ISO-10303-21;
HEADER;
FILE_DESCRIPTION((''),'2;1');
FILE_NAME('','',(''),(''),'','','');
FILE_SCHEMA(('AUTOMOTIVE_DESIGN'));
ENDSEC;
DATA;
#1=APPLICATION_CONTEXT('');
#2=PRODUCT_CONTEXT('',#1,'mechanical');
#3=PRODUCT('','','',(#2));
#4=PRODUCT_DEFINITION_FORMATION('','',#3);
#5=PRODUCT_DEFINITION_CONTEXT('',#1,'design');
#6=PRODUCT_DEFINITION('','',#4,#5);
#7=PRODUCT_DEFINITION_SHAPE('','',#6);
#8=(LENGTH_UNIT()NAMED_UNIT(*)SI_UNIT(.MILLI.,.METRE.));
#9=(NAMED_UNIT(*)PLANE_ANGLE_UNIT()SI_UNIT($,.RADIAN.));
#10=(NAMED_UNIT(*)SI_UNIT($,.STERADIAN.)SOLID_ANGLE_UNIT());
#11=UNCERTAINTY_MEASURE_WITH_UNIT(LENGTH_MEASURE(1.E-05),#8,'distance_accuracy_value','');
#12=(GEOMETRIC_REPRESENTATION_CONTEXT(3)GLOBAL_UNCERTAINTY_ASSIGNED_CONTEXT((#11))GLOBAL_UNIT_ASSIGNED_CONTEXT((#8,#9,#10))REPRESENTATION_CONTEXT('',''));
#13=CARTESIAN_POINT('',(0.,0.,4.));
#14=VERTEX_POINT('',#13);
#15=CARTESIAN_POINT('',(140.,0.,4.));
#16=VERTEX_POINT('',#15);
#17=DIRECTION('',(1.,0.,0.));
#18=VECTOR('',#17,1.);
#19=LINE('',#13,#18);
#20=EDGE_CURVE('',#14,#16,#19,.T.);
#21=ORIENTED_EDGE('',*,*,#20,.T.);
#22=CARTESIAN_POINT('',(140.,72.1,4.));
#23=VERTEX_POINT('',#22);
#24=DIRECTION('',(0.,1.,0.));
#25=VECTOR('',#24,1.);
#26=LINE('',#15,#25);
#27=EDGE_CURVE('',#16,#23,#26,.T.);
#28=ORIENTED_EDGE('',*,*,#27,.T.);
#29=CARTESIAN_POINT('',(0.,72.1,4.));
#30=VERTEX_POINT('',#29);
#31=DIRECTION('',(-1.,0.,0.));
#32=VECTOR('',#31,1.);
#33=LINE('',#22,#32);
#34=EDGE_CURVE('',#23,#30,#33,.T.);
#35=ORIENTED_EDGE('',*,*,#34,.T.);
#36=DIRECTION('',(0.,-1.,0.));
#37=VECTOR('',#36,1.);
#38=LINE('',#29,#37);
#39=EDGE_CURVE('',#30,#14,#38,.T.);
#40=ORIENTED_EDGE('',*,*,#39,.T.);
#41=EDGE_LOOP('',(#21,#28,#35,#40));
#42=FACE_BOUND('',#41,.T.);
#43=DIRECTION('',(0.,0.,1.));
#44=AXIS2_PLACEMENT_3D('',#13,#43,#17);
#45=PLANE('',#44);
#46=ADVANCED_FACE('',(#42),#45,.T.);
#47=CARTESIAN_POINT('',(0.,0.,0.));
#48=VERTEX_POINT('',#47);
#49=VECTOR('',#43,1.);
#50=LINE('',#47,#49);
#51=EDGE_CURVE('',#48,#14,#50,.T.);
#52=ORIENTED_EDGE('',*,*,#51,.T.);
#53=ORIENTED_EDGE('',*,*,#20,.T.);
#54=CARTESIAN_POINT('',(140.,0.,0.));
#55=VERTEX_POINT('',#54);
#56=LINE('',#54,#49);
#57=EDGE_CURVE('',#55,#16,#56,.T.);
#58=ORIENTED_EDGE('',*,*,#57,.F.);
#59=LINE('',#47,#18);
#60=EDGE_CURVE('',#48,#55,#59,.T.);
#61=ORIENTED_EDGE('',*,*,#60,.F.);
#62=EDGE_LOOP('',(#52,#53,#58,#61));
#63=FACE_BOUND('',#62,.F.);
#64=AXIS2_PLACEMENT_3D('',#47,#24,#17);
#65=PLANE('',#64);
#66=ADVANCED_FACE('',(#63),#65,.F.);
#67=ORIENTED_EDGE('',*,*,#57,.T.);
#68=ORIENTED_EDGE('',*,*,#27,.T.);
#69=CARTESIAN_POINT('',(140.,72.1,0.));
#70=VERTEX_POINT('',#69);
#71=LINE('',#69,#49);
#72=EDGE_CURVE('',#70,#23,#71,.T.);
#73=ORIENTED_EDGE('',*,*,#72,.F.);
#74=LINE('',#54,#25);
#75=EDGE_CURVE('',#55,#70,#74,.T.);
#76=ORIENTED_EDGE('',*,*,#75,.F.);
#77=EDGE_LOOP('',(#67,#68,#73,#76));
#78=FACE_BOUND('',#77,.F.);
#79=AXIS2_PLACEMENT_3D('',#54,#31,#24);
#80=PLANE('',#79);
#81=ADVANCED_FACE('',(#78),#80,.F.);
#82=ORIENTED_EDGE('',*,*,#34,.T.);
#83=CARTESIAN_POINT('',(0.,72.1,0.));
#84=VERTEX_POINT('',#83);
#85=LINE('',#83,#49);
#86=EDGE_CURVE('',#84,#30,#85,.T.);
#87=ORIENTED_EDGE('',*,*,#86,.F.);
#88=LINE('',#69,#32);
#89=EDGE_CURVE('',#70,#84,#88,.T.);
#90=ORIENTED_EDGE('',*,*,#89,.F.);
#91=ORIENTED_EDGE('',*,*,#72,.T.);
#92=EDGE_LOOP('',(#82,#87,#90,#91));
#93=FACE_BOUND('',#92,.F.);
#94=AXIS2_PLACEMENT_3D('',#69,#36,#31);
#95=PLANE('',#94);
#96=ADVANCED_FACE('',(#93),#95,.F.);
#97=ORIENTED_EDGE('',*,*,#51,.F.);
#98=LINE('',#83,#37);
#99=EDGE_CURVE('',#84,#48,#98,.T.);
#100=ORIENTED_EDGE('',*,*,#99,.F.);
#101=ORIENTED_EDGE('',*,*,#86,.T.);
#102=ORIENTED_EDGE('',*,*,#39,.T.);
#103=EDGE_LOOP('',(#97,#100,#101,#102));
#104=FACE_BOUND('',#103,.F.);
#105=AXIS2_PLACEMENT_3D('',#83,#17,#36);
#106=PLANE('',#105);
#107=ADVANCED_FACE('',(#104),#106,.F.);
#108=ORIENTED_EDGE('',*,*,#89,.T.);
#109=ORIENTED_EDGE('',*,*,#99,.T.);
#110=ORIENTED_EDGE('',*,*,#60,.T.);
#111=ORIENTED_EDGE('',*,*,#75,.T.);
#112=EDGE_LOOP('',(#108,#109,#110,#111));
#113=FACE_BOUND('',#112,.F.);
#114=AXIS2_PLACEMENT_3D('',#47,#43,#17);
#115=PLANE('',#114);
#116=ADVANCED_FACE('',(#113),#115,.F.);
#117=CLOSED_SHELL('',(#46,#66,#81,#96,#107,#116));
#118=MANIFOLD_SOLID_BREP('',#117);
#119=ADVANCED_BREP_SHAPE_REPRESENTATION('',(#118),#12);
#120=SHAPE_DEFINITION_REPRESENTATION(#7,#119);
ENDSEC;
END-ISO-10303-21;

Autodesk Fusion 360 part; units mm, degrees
sketch "Esquisse1" plane through (0, 0, 0) normal (0, 0, 1) x (1, 0, 0)
  line L0 (0, 0) -> (140, 0)
  line L1 (140, 0) -> (140, 72.1)
  line L2 (140, 72.1) -> (0, 72.1)
  line L3 (0, 72.1) -> (0, 0)
  dimension "d1" = 140
  dimension "d2" = 72.1
extrude "Extrusion1" add sketch "Esquisse1" along normal blind 4
